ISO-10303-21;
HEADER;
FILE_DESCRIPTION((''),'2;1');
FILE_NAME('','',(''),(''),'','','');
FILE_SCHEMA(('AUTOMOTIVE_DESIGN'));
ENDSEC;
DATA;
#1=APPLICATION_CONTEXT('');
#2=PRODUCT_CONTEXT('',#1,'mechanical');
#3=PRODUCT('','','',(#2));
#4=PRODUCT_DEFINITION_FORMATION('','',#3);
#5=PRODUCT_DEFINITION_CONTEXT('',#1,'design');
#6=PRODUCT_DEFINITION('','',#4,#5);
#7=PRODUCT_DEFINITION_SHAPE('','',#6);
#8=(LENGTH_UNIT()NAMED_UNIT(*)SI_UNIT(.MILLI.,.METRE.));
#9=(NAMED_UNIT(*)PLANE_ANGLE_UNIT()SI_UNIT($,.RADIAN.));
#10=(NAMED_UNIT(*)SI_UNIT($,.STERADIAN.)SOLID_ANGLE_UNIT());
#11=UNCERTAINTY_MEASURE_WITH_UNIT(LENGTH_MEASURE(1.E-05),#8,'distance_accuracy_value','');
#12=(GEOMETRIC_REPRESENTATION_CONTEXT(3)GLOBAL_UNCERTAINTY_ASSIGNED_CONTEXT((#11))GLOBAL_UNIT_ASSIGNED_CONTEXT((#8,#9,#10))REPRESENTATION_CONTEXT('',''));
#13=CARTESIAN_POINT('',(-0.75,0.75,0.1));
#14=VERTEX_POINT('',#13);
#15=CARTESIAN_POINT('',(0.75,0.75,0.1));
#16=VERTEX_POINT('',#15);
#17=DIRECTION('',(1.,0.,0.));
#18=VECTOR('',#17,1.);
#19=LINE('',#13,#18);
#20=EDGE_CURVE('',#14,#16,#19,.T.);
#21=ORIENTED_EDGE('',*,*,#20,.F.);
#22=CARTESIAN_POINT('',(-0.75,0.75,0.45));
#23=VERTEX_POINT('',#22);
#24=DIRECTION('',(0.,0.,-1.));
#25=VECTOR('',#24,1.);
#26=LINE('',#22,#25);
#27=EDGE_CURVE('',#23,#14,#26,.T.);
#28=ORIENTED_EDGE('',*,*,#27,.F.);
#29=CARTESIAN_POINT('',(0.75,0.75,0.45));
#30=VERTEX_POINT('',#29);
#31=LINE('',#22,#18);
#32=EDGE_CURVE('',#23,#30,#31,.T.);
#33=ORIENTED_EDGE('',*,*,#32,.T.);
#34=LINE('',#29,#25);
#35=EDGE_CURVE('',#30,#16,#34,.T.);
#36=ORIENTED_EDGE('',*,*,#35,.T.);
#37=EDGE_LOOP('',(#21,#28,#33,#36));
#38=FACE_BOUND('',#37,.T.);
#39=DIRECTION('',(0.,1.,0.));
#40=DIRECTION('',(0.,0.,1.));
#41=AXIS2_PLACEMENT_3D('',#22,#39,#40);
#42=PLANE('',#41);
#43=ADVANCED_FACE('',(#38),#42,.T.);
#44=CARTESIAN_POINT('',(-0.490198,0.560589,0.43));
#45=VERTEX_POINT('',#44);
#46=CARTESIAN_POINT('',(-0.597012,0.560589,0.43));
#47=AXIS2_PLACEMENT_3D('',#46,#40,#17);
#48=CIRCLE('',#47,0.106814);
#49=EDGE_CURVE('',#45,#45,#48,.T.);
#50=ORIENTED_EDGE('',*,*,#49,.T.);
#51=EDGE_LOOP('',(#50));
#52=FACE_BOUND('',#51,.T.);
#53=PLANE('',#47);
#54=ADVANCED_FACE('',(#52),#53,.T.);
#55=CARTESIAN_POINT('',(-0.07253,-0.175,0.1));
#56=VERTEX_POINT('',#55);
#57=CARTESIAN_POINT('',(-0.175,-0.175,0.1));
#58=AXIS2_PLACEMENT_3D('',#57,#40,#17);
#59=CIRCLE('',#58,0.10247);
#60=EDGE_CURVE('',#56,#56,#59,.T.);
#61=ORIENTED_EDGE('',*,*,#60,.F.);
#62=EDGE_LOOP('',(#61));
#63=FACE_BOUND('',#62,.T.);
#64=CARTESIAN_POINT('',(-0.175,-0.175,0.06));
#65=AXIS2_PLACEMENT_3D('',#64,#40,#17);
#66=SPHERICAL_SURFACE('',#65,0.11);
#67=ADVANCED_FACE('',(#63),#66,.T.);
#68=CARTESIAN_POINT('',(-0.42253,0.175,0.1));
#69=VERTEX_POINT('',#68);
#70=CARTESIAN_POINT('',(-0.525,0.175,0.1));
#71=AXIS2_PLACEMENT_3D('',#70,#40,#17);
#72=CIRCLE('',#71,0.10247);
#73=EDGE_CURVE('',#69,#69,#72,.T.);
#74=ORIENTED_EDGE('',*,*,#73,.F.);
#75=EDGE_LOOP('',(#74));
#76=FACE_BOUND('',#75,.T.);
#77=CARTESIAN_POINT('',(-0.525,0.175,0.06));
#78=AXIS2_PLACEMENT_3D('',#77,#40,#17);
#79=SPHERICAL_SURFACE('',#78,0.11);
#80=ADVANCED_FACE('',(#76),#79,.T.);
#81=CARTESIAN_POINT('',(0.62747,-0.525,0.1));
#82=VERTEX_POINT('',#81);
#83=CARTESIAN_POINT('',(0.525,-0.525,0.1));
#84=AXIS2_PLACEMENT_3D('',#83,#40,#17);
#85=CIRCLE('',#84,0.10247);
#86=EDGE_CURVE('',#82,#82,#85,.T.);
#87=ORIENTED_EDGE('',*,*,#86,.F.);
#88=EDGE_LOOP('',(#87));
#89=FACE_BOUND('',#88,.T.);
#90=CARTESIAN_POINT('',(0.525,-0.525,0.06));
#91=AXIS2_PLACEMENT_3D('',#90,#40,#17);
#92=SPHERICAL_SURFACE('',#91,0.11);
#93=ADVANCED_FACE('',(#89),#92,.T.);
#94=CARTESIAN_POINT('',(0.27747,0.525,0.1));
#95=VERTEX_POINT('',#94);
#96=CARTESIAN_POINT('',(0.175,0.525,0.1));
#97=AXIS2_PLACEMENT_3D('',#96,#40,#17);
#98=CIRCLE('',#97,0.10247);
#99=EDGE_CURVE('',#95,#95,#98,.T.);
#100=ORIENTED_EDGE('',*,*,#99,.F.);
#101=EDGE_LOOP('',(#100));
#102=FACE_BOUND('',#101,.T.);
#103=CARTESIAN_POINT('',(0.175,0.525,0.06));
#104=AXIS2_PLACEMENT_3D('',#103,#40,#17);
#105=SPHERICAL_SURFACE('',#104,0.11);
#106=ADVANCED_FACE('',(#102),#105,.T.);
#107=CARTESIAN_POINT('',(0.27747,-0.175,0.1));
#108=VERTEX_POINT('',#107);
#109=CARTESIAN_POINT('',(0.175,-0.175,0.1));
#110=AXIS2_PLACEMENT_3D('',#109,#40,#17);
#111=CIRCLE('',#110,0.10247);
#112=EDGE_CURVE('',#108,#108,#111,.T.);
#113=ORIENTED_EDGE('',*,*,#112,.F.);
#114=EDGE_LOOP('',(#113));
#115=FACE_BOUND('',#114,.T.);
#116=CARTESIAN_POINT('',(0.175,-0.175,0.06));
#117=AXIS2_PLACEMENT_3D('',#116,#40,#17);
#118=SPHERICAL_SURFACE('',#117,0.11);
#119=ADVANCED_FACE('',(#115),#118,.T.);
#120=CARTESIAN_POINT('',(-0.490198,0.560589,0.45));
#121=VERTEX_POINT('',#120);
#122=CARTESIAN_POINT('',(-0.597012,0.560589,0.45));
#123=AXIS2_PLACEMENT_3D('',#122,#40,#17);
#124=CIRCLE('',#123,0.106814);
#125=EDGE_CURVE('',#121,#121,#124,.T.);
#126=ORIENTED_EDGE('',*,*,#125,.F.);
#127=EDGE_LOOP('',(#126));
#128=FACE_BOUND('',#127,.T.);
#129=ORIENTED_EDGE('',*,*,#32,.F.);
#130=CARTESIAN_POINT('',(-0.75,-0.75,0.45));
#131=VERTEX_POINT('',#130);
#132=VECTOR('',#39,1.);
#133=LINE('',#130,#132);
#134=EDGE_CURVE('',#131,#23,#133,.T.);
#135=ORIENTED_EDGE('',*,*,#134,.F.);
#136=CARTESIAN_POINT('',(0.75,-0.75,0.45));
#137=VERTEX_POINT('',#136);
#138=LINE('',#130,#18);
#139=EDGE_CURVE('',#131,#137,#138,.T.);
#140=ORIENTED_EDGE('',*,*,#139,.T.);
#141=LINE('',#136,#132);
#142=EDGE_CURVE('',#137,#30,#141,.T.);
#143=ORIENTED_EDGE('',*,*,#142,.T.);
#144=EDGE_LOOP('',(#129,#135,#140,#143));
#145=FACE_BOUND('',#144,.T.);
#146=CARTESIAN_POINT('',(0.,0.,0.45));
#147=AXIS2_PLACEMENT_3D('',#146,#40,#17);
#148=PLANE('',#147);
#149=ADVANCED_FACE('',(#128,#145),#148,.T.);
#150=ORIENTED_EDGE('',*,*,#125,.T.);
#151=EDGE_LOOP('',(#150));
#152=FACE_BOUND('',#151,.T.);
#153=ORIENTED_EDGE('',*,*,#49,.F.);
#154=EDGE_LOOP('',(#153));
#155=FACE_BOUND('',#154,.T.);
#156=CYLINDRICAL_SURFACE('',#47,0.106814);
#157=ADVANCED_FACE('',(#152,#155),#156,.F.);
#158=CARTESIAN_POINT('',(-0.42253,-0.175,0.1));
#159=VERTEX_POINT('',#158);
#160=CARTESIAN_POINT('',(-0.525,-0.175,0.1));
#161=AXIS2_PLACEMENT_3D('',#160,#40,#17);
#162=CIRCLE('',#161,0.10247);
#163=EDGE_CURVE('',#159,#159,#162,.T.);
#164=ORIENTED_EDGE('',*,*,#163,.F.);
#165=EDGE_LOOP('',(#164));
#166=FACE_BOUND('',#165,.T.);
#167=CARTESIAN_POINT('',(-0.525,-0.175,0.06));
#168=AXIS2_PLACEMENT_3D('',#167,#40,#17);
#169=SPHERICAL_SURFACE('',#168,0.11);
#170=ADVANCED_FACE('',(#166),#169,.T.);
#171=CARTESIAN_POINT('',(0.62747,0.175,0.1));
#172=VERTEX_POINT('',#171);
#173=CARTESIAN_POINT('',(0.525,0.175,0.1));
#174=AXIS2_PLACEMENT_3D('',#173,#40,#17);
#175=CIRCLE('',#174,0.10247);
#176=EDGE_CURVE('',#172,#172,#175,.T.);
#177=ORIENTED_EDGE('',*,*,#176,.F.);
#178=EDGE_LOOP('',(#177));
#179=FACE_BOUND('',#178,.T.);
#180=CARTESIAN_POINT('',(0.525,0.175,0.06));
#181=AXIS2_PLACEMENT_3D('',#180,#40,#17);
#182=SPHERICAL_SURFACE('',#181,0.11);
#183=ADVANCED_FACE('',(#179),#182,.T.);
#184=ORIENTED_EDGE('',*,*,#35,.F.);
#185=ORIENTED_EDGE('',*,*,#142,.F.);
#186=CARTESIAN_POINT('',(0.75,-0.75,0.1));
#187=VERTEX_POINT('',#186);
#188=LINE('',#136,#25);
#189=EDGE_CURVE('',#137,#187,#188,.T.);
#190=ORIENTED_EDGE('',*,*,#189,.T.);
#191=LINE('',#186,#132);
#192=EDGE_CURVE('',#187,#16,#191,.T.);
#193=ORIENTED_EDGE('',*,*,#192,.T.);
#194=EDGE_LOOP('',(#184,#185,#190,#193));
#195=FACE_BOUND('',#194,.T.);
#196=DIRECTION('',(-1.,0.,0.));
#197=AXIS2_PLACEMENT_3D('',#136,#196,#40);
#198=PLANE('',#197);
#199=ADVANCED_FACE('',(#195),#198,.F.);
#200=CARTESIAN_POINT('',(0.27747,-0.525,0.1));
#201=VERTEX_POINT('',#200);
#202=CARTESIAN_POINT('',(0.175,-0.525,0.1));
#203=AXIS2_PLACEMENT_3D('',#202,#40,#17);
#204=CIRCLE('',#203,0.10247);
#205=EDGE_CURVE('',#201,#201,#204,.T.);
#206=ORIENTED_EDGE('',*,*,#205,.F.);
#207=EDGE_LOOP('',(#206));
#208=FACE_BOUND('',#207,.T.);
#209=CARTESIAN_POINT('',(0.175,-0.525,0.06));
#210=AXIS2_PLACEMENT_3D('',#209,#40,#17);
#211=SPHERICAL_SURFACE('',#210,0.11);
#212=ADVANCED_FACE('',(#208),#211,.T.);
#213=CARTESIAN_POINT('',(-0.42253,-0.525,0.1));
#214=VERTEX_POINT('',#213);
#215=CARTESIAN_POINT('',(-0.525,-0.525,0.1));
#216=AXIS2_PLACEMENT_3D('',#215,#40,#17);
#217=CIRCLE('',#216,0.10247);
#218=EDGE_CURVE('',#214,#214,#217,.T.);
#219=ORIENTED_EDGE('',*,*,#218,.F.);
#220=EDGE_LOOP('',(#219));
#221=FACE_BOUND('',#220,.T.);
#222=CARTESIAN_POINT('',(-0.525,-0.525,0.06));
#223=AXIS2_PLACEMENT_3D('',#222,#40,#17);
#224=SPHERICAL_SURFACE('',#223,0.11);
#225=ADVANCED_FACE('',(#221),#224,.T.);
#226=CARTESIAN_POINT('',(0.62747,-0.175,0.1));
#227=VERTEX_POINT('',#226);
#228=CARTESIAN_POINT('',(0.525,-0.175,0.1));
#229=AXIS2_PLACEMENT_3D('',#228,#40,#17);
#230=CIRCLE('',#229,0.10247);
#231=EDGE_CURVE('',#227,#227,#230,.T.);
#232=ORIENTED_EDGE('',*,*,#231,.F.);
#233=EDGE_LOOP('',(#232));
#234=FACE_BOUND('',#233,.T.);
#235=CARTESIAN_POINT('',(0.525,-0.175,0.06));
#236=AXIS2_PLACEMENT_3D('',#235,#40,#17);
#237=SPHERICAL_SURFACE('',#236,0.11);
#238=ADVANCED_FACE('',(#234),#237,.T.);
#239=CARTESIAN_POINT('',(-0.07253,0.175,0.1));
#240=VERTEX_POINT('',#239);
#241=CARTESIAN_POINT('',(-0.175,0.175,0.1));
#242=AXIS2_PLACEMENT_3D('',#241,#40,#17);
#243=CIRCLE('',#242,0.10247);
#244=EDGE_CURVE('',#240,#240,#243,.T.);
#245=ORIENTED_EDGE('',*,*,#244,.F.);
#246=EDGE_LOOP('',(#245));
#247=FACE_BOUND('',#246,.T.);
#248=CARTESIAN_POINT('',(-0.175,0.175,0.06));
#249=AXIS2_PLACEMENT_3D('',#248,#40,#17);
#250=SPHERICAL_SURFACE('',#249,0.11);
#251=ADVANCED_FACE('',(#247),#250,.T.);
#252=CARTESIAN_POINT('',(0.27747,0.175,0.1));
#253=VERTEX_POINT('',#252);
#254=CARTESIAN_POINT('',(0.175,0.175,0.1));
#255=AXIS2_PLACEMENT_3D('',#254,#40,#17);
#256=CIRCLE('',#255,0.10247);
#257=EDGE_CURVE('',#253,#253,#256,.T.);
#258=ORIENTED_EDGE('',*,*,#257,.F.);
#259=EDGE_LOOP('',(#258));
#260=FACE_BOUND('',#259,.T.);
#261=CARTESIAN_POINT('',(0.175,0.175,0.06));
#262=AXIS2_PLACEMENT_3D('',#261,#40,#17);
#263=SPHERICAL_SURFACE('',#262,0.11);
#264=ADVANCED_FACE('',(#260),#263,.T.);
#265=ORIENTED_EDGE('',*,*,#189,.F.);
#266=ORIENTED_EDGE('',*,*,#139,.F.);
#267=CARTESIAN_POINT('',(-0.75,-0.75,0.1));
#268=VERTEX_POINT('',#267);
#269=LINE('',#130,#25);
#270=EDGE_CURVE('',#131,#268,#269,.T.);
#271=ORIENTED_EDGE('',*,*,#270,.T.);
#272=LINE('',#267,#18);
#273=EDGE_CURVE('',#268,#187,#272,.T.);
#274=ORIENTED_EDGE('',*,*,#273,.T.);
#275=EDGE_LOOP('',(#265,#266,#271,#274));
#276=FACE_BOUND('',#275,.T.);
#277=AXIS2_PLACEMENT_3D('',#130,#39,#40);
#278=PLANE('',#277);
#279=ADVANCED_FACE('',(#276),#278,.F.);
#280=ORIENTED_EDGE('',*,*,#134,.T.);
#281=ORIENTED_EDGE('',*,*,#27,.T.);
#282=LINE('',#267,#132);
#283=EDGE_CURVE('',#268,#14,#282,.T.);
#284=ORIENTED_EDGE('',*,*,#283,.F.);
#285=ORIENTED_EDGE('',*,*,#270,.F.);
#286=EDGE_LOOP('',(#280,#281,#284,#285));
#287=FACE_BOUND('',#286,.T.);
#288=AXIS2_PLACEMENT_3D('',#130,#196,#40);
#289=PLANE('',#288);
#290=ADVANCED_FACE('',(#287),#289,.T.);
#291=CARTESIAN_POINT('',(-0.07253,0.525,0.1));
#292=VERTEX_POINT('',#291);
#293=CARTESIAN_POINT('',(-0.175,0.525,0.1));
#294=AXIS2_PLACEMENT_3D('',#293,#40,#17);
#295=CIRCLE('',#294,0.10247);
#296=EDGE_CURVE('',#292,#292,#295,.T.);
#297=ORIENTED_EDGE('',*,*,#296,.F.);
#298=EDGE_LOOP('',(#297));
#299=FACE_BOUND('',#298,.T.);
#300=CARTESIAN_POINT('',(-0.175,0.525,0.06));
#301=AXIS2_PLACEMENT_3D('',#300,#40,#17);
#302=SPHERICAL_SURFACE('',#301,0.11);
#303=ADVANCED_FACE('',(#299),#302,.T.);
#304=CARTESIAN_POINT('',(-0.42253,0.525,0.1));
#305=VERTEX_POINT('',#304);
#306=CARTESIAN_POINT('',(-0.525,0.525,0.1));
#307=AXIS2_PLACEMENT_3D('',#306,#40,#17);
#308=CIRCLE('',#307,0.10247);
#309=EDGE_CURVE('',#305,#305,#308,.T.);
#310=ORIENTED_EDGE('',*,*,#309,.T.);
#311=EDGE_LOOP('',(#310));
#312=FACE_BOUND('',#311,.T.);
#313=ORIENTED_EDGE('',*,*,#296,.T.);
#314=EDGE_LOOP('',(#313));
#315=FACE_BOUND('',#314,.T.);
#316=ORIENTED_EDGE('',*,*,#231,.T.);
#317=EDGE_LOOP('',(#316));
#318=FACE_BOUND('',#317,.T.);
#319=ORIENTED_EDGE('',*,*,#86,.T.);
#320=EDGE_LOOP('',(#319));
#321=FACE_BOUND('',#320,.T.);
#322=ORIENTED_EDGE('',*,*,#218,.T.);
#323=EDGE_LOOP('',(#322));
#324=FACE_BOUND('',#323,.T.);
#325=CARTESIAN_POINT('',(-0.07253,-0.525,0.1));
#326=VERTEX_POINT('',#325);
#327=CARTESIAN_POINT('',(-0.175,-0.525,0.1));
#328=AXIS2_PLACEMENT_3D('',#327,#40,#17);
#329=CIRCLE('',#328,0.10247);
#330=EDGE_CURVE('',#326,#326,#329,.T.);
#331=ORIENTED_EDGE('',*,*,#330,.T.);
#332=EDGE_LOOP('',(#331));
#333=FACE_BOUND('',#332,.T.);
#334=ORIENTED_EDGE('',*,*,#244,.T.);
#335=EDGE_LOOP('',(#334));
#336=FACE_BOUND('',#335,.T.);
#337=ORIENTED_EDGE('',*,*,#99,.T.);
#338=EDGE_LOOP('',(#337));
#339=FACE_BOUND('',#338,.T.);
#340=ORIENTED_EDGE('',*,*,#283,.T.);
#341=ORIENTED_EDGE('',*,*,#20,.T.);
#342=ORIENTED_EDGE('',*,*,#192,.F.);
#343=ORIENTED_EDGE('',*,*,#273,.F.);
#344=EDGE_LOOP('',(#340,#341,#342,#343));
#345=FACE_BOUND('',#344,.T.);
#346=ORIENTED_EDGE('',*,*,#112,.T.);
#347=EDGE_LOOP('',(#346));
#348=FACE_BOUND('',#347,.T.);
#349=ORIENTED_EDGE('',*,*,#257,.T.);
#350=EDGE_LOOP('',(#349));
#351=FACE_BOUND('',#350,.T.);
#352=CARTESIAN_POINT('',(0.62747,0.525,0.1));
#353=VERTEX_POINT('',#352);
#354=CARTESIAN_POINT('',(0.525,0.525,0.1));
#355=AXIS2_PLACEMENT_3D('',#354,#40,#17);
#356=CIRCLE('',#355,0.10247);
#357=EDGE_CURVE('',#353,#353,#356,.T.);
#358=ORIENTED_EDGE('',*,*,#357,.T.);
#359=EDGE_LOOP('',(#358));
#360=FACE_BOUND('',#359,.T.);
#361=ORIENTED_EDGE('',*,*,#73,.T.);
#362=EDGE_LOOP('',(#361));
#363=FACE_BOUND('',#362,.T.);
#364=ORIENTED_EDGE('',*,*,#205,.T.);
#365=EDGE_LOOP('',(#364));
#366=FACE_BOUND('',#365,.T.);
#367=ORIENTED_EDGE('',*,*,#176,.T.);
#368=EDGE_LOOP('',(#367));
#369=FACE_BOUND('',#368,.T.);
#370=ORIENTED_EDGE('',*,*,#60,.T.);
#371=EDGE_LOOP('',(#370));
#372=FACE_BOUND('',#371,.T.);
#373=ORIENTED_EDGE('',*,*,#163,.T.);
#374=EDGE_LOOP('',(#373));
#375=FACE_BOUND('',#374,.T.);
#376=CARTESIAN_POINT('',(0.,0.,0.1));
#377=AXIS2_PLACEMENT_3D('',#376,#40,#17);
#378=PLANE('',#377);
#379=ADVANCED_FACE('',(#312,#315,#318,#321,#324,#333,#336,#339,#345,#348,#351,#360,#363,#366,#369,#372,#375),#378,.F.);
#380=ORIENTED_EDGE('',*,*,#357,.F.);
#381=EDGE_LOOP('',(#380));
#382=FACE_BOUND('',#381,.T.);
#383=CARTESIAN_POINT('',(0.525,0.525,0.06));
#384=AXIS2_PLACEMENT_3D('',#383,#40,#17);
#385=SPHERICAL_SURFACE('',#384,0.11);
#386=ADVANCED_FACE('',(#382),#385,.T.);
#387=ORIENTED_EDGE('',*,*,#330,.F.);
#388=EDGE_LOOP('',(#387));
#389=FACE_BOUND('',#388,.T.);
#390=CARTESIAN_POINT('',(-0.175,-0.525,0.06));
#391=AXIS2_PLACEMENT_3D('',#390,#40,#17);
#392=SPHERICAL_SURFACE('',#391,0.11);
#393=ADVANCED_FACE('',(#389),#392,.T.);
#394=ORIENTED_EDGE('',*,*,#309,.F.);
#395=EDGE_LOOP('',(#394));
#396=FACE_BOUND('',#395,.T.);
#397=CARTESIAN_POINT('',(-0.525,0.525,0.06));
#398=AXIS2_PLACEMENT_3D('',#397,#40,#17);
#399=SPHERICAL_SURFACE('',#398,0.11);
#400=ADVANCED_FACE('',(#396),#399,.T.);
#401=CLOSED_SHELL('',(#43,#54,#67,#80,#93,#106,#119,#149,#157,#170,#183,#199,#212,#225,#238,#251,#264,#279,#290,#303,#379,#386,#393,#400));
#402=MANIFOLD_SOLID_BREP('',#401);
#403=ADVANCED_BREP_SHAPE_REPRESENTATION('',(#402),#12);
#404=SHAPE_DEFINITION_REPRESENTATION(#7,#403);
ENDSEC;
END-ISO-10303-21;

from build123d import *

# Parameters (mm, degrees)
BOSS_EXTRUDE1_START  = 0.1
SKETCH1_W            = 1.5
SKETCH1_H            = 1.5
BOSS_EXTRUDE1_DEPTH  = 0.35
LPATTERN2_COUNT      = 4
LPATTERN2_PITCH      = 0.35
LPATTERN2_COUNT_DIR2 = 4
LPATTERN2_PITCH_DIR2 = 0.35
SKETCH3_R            = 0.106813643
CUT_EXTRUDE1_DEPTH   = 0.02


with BuildPart() as part:
    # Sketch1 → Boss-Extrude1 (new body)
    with BuildSketch(Plane.XY.offset(BOSS_EXTRUDE1_START)):
        Rectangle(SKETCH1_W, SKETCH1_H)
    extrude(amount=BOSS_EXTRUDE1_DEPTH)

    # Sketch4 → Revolve2 (revolve)
    with BuildSketch(Plane(origin=(0, -0.525, 0), x_dir=(-1, 0, 0), z_dir=(0, -1, 0))):
        with BuildLine():
            Line((0.525, -0.17), (0.525, 0.05))
            ThreePointArc((0.525, 0.05), (0.635, -0.06), (0.525, -0.17))
        make_face()
    revolve2 = revolve(axis=Axis((-0.525, -0.525, 0.17), (0, 0, -1)))

    # LPattern2: Revolve2 4 × 4
    with Locations(*[(i * LPATTERN2_PITCH, j * LPATTERN2_PITCH_DIR2, 0) for i in range(LPATTERN2_COUNT) for j in range(LPATTERN2_COUNT_DIR2) if (i, j) != (0, 0)]):
        add(revolve2)

    # Sketch3 → Cut-Extrude1 (cut)
    with BuildSketch(Plane.XY.offset(0.45)):
        with Locations((-0.59701153, 0.560589107)):
            Circle(SKETCH3_R)
    extrude(amount=-CUT_EXTRUDE1_DEPTH, mode=Mode.SUBTRACT)


solid = part.part
